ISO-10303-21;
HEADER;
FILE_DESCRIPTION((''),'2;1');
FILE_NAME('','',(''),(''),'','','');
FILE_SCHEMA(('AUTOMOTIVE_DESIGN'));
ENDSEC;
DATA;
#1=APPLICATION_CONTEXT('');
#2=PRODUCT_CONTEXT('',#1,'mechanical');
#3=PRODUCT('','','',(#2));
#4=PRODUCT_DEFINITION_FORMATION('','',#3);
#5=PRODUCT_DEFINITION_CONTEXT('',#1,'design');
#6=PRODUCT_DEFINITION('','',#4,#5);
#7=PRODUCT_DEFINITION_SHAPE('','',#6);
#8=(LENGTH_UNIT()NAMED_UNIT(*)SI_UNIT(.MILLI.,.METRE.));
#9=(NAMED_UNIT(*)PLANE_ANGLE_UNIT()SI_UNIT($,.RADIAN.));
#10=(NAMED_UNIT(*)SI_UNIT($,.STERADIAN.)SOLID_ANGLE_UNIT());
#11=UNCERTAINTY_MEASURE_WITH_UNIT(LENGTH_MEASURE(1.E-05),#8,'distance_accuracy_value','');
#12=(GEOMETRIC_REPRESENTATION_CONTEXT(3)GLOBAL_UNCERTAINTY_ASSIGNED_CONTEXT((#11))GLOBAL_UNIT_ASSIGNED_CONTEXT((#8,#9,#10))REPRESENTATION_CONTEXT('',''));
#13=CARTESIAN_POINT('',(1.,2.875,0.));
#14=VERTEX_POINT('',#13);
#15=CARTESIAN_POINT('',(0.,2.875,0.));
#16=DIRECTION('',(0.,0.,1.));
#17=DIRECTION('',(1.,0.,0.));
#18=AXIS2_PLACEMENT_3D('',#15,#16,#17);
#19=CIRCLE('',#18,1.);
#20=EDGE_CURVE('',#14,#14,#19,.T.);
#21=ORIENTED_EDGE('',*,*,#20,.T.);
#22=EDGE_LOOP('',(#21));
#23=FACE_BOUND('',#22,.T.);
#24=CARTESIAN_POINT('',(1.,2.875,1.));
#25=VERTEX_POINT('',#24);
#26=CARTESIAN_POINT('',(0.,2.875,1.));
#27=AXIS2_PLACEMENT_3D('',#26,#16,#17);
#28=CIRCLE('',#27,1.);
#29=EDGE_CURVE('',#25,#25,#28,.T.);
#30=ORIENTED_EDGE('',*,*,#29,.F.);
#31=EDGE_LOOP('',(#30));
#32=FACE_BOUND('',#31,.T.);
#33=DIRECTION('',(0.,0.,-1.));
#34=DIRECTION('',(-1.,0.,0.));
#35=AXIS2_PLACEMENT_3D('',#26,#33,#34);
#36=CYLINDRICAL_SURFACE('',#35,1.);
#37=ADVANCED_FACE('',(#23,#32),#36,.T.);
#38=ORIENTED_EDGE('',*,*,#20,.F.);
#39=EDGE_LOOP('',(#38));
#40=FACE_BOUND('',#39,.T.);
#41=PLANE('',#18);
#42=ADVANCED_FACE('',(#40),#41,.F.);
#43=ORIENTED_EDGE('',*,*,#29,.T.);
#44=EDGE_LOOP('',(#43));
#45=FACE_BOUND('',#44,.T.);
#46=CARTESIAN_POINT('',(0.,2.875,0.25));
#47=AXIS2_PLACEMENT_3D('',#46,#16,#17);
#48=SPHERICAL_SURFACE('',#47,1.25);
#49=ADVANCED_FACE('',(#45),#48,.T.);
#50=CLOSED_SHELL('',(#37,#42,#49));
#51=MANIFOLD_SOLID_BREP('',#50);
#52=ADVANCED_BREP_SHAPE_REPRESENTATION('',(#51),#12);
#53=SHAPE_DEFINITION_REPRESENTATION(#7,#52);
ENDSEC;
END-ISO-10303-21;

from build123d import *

# Parameters (mm, degrees)
SKETCH1_R         = 1
EXTRUDE1_DEPTH    = 1
DOME1_FACE_RADIUS = 1
DOME1_HEIGHT      = 0.5


with BuildPart() as part:
    # Sketch1 → Extrude1 (new body)
    with BuildSketch(Plane.XY):
        with Locations((0, 2.875)):
            Circle(SKETCH1_R)
    extrude(amount=EXTRUDE1_DEPTH)

    # Dome1: a dome of height H over a round flat face of radius A is a cap of a sphere of radius (A * A + H * H) / (2 * H)
    dome1_r = (DOME1_FACE_RADIUS * DOME1_FACE_RADIUS + DOME1_HEIGHT * DOME1_HEIGHT) / (2 * DOME1_HEIGHT)
    dome1_base = Plane((0, 2.875, 1), z_dir=(0, 0, 1))
    with Locations(dome1_base.offset(DOME1_HEIGHT - dome1_r)):
        dome1_ball = Sphere(dome1_r, mode=Mode.PRIVATE)
    add(split(dome1_ball, bisect_by=dome1_base, keep=Keep.TOP, mode=Mode.PRIVATE))


solid = part.part
